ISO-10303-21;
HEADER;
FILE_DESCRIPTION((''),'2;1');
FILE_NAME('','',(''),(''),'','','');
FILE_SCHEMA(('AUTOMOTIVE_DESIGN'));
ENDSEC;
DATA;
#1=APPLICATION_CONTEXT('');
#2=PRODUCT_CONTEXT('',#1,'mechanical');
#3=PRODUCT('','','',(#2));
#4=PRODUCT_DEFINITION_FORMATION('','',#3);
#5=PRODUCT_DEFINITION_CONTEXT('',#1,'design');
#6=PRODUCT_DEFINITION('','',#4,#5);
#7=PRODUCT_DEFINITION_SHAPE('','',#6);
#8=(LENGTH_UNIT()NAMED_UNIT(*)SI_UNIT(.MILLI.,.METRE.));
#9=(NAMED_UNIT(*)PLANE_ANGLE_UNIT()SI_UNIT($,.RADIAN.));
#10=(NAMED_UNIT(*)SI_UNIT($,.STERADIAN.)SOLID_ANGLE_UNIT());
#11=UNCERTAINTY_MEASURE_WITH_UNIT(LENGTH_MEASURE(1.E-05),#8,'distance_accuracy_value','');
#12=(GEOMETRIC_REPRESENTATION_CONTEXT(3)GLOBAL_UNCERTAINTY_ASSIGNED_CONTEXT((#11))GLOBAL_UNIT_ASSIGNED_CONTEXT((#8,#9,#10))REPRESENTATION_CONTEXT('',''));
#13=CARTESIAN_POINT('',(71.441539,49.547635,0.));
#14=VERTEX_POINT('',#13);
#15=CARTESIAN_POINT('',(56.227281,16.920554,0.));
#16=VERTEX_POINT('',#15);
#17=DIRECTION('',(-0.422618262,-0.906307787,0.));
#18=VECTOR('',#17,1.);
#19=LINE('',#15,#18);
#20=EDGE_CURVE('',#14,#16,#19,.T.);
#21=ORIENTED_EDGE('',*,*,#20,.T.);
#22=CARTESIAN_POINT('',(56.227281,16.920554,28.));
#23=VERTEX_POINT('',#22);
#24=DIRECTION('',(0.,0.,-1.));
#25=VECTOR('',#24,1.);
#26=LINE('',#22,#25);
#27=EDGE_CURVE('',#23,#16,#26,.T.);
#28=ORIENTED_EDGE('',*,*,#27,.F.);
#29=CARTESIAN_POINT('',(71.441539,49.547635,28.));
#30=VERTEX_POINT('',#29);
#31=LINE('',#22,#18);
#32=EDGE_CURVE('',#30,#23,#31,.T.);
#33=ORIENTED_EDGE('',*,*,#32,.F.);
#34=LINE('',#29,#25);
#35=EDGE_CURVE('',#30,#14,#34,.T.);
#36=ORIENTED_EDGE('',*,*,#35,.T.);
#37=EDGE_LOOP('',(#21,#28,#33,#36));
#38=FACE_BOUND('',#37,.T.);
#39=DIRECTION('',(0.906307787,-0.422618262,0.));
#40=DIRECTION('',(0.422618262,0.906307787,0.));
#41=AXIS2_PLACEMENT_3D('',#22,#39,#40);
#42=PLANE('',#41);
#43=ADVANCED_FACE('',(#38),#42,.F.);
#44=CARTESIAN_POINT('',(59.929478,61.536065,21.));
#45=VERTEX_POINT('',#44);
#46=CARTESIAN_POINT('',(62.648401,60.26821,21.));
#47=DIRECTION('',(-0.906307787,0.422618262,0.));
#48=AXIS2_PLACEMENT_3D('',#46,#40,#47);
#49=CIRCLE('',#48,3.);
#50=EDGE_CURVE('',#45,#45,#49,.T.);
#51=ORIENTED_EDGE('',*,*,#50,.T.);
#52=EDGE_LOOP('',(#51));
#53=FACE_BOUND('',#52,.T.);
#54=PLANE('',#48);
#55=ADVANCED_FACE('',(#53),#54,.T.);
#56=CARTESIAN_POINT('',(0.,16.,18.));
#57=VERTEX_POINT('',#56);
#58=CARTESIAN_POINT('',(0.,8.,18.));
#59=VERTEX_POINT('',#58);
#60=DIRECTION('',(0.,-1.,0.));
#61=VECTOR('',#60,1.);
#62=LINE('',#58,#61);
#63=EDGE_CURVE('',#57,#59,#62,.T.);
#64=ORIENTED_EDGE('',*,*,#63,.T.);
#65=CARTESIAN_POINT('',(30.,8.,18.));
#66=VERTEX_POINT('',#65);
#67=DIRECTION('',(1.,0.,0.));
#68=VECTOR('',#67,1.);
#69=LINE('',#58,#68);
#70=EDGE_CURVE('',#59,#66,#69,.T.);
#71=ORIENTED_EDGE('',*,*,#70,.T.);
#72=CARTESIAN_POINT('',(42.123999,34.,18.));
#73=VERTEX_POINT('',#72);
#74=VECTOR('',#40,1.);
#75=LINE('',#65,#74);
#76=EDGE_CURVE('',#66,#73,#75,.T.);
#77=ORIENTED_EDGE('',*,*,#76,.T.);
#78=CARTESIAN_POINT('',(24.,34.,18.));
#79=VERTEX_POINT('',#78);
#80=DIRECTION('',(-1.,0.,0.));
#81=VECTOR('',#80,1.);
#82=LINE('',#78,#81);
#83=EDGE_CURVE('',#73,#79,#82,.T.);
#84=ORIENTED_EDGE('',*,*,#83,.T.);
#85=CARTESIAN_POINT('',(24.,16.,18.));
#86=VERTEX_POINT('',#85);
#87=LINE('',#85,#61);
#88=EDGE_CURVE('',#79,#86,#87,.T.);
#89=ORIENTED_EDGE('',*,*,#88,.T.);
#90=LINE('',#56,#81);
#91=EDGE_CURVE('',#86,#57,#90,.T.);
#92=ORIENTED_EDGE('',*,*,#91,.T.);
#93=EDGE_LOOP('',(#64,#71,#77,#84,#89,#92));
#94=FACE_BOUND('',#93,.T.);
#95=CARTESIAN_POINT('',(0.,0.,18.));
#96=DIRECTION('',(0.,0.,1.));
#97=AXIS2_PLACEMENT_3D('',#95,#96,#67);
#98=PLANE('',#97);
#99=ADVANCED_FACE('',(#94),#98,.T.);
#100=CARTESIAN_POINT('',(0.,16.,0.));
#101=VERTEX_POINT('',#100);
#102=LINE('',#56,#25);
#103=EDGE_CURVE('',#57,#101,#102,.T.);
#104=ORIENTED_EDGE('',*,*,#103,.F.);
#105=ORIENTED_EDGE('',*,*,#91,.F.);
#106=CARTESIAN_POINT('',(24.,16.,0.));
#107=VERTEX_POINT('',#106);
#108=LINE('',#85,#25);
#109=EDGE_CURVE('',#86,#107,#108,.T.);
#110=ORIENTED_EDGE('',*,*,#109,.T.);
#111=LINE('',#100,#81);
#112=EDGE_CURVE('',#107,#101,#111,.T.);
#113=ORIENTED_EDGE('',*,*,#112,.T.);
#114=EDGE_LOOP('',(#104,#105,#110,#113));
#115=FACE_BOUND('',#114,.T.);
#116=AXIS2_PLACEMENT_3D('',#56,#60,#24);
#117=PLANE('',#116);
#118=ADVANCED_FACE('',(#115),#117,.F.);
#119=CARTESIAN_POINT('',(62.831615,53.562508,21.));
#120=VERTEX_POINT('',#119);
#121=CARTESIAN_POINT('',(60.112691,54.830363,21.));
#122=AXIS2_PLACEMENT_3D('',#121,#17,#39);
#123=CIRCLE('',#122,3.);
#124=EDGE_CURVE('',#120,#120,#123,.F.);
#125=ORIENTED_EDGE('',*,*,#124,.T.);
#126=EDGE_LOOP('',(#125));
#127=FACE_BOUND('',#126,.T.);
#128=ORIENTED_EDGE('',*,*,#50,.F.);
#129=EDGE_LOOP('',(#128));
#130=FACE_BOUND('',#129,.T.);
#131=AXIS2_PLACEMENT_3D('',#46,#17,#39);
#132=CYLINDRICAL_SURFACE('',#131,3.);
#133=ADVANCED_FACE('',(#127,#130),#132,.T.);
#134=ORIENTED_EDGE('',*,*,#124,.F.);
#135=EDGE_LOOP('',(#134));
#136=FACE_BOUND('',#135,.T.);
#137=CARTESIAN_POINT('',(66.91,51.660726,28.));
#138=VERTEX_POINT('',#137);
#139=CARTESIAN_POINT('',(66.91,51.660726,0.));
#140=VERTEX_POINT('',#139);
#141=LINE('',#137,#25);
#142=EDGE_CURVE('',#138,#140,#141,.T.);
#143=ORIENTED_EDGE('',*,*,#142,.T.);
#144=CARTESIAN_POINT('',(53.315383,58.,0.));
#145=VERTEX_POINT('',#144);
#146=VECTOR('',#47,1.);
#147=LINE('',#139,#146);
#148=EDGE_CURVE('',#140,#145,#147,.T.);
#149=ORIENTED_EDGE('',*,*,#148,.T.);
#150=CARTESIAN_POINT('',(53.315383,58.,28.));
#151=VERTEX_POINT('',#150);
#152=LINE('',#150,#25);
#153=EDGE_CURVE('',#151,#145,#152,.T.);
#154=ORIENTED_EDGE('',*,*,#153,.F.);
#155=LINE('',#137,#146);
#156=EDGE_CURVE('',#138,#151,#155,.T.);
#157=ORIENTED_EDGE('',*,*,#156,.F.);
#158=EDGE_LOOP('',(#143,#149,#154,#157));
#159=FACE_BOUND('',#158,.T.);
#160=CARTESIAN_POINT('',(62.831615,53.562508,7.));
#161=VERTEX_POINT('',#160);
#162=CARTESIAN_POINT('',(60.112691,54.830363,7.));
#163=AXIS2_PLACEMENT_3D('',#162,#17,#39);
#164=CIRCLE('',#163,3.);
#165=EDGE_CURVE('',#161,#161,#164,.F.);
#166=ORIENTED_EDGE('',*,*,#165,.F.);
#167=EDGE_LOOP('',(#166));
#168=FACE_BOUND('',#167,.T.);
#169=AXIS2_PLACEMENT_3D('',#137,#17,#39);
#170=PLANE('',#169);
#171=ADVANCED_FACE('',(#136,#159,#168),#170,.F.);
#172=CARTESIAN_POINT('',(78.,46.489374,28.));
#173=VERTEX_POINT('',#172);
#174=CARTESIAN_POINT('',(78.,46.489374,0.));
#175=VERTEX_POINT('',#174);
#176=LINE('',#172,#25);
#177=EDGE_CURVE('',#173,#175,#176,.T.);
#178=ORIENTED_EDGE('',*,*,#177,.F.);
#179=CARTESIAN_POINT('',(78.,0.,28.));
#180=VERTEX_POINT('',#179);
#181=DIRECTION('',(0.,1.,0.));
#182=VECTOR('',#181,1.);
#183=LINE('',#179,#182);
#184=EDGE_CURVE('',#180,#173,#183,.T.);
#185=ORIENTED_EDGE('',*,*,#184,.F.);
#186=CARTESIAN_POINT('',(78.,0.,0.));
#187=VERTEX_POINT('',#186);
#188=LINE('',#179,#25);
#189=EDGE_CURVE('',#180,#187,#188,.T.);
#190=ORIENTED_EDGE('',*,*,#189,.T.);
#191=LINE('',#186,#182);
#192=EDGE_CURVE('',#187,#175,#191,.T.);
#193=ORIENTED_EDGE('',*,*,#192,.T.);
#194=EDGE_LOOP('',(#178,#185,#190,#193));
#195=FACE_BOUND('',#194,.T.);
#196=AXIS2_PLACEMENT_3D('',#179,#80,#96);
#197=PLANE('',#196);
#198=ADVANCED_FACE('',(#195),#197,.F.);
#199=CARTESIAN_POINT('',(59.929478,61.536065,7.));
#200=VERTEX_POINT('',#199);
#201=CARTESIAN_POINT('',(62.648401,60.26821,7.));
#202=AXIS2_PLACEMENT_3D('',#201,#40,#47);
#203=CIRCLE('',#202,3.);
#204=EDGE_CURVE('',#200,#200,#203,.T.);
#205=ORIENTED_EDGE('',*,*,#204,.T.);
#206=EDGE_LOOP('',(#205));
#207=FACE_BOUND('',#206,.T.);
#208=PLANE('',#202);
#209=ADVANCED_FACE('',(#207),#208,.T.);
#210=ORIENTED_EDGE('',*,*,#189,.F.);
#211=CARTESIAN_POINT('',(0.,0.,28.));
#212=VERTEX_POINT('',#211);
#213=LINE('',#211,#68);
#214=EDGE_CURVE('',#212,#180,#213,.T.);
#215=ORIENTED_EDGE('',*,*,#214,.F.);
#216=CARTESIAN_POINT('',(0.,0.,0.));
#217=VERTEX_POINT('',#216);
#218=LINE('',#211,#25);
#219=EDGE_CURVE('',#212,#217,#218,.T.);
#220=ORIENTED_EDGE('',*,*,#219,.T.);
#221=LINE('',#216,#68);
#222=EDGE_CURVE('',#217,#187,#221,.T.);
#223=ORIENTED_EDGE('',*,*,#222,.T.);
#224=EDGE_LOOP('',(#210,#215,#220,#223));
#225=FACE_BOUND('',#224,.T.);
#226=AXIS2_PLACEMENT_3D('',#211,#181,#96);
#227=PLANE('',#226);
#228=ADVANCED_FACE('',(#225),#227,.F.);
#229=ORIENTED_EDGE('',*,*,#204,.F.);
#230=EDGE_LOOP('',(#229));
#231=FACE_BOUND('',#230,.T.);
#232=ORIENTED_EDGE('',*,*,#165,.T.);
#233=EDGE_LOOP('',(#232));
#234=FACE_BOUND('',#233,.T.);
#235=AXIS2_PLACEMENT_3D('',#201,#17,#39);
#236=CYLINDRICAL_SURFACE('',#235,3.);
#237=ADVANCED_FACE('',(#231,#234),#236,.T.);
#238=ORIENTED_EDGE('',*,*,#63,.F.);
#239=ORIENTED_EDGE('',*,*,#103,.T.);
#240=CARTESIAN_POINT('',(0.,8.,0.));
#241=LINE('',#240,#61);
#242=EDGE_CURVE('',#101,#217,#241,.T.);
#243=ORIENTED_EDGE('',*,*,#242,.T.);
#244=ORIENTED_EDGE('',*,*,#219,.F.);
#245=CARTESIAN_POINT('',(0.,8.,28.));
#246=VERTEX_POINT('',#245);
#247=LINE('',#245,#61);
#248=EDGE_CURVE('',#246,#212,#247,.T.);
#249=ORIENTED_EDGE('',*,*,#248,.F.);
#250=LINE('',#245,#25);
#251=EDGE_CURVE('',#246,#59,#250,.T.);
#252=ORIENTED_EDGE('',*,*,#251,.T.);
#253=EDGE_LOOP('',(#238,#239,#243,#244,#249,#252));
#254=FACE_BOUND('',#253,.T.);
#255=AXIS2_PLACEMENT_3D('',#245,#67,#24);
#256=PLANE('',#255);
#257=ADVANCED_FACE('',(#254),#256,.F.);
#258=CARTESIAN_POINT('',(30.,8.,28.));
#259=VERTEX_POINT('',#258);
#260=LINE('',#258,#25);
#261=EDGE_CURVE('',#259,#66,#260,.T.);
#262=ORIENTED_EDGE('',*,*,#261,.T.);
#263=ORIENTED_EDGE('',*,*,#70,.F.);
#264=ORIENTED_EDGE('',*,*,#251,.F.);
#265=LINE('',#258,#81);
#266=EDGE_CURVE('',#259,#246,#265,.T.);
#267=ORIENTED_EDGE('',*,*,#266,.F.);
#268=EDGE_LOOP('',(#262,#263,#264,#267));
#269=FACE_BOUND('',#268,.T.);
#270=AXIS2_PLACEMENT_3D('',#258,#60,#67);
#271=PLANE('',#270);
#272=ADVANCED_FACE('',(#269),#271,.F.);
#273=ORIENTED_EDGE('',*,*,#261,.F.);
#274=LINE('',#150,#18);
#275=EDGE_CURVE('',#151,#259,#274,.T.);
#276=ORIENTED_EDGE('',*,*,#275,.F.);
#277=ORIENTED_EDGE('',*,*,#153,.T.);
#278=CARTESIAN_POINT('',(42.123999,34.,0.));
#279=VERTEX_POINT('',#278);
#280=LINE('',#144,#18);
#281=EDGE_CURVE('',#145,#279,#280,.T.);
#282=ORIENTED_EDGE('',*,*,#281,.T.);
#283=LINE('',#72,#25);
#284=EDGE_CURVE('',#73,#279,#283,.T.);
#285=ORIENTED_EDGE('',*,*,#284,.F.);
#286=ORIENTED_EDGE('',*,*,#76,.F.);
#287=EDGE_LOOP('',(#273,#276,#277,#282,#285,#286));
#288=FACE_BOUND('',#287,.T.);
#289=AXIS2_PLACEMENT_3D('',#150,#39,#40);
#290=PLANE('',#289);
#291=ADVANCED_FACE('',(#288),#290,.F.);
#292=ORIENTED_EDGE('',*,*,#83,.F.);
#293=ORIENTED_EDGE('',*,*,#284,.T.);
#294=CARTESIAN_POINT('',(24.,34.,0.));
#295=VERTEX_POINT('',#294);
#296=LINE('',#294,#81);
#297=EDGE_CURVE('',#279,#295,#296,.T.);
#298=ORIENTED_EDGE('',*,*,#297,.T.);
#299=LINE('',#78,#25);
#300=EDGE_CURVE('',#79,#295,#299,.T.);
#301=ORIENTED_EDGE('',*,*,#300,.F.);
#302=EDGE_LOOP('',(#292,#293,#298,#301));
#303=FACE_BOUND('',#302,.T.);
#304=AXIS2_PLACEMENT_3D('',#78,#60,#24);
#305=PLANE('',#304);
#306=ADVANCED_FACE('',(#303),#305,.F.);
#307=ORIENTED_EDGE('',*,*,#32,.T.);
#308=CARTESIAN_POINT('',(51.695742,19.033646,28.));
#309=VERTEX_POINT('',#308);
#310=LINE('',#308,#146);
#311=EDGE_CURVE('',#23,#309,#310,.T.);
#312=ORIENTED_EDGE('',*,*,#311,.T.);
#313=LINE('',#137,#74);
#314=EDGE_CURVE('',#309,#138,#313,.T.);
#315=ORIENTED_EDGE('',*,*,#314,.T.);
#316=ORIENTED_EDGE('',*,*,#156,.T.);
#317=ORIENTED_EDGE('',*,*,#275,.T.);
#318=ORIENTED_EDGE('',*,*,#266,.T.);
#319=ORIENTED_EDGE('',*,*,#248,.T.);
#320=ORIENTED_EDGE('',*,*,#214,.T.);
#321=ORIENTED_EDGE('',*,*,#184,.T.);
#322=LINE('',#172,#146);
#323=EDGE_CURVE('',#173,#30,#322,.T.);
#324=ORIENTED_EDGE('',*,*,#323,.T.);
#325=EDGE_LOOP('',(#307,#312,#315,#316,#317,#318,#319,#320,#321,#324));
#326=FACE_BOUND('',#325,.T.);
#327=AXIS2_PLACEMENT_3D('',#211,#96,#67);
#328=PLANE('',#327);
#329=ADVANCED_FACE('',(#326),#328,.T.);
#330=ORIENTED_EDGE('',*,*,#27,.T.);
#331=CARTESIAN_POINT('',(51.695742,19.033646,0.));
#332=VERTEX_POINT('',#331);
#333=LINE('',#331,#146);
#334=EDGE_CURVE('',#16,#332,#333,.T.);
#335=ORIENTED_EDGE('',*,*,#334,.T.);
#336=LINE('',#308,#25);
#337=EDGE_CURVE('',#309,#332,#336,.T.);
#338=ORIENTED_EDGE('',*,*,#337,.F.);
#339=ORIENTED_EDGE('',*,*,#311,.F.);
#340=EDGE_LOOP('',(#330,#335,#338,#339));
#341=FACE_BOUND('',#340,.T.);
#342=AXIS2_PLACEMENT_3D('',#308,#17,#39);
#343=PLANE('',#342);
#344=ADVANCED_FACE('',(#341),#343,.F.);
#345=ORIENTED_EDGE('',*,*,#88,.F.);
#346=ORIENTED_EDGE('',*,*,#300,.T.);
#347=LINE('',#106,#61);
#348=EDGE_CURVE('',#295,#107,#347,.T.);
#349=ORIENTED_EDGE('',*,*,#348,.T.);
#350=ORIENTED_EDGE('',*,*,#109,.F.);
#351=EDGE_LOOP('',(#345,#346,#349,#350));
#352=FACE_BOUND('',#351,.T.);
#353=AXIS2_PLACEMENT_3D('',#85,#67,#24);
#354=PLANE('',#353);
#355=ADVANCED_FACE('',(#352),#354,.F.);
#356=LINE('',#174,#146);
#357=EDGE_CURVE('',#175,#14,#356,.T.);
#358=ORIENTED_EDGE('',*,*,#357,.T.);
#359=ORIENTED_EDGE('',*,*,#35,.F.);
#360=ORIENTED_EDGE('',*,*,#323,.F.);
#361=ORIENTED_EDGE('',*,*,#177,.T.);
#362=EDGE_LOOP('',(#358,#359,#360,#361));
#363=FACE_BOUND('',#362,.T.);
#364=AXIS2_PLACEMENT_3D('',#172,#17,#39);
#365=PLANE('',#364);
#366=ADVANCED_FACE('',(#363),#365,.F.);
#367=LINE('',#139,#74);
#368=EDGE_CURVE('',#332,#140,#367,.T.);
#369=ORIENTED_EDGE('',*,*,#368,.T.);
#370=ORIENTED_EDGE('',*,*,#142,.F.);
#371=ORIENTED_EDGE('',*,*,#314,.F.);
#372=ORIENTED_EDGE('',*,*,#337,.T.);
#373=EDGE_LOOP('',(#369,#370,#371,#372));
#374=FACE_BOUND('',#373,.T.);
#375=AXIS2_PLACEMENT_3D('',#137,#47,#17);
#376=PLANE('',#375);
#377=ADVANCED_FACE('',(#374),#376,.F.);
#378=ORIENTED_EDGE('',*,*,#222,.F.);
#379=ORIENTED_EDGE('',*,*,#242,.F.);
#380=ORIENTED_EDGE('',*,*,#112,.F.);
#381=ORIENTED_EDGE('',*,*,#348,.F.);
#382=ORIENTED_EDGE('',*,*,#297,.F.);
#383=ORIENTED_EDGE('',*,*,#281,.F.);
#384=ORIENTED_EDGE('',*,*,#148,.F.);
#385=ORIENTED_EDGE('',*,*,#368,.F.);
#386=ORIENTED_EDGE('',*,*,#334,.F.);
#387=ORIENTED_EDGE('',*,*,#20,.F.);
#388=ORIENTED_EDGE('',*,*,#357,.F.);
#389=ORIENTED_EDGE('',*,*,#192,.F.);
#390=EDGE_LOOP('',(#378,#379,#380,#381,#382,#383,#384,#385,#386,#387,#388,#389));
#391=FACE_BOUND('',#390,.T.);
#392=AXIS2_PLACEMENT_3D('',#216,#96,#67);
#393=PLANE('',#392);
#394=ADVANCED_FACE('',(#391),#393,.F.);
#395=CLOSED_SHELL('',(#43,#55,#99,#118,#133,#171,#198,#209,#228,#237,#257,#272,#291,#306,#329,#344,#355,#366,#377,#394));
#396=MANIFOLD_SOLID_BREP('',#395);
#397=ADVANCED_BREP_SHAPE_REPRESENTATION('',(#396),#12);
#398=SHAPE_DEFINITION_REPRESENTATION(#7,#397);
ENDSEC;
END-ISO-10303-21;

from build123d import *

# Parameters (mm, degrees)
DODANIE_WYCI_GNI_CIE1_DEPTH = 28
SZKIC2_R                    = 3
DODANIE_WYCI_GNI_CIE2_DEPTH = 6
DODANIE_WYCI_GNI_CIE3_DEPTH = 18


with BuildPart() as part:
    # Szkic1 → Dodanie-wyciągnięcie1 (new body)
    with BuildSketch(Plane.XY):
        Polygon((0, 0), (78, 0), (78, 46.489374011), (71.441538648, 49.547634765), (56.227281226, 16.920554432), (51.695742291, 19.033645741), (66.909999713, 51.660726074), (53.315382908, 58), (30, 8), (0, 8), align=None)
    extrude(amount=DODANIE_WYCI_GNI_CIE1_DEPTH)

    # Szkic2 → Dodanie-wyciągnięcie2 (add)
    with BuildSketch(Plane(origin=(31.737746535, 68.061817086, 0), x_dir=(0.9063077870366479, -0.4226182617407039, 0), z_dir=(0.4226182617407039, 0.906307787036648, 0))):
        with Locations((31.308287517, -7)):
            Circle(SZKIC2_R)
        with Locations((31.308287517, -21)):
            Circle(SZKIC2_R)
    extrude(amount=DODANIE_WYCI_GNI_CIE2_DEPTH)

    # Szkic3 → Dodanie-wyciągnięcie3 (add)
    with BuildSketch(Plane.XY):
        Polygon((0, 8), (0, 16), (24, 16), (24, 34), (42.123999112, 34), (30, 8), align=None)
    extrude(amount=DODANIE_WYCI_GNI_CIE3_DEPTH)


solid = part.part
